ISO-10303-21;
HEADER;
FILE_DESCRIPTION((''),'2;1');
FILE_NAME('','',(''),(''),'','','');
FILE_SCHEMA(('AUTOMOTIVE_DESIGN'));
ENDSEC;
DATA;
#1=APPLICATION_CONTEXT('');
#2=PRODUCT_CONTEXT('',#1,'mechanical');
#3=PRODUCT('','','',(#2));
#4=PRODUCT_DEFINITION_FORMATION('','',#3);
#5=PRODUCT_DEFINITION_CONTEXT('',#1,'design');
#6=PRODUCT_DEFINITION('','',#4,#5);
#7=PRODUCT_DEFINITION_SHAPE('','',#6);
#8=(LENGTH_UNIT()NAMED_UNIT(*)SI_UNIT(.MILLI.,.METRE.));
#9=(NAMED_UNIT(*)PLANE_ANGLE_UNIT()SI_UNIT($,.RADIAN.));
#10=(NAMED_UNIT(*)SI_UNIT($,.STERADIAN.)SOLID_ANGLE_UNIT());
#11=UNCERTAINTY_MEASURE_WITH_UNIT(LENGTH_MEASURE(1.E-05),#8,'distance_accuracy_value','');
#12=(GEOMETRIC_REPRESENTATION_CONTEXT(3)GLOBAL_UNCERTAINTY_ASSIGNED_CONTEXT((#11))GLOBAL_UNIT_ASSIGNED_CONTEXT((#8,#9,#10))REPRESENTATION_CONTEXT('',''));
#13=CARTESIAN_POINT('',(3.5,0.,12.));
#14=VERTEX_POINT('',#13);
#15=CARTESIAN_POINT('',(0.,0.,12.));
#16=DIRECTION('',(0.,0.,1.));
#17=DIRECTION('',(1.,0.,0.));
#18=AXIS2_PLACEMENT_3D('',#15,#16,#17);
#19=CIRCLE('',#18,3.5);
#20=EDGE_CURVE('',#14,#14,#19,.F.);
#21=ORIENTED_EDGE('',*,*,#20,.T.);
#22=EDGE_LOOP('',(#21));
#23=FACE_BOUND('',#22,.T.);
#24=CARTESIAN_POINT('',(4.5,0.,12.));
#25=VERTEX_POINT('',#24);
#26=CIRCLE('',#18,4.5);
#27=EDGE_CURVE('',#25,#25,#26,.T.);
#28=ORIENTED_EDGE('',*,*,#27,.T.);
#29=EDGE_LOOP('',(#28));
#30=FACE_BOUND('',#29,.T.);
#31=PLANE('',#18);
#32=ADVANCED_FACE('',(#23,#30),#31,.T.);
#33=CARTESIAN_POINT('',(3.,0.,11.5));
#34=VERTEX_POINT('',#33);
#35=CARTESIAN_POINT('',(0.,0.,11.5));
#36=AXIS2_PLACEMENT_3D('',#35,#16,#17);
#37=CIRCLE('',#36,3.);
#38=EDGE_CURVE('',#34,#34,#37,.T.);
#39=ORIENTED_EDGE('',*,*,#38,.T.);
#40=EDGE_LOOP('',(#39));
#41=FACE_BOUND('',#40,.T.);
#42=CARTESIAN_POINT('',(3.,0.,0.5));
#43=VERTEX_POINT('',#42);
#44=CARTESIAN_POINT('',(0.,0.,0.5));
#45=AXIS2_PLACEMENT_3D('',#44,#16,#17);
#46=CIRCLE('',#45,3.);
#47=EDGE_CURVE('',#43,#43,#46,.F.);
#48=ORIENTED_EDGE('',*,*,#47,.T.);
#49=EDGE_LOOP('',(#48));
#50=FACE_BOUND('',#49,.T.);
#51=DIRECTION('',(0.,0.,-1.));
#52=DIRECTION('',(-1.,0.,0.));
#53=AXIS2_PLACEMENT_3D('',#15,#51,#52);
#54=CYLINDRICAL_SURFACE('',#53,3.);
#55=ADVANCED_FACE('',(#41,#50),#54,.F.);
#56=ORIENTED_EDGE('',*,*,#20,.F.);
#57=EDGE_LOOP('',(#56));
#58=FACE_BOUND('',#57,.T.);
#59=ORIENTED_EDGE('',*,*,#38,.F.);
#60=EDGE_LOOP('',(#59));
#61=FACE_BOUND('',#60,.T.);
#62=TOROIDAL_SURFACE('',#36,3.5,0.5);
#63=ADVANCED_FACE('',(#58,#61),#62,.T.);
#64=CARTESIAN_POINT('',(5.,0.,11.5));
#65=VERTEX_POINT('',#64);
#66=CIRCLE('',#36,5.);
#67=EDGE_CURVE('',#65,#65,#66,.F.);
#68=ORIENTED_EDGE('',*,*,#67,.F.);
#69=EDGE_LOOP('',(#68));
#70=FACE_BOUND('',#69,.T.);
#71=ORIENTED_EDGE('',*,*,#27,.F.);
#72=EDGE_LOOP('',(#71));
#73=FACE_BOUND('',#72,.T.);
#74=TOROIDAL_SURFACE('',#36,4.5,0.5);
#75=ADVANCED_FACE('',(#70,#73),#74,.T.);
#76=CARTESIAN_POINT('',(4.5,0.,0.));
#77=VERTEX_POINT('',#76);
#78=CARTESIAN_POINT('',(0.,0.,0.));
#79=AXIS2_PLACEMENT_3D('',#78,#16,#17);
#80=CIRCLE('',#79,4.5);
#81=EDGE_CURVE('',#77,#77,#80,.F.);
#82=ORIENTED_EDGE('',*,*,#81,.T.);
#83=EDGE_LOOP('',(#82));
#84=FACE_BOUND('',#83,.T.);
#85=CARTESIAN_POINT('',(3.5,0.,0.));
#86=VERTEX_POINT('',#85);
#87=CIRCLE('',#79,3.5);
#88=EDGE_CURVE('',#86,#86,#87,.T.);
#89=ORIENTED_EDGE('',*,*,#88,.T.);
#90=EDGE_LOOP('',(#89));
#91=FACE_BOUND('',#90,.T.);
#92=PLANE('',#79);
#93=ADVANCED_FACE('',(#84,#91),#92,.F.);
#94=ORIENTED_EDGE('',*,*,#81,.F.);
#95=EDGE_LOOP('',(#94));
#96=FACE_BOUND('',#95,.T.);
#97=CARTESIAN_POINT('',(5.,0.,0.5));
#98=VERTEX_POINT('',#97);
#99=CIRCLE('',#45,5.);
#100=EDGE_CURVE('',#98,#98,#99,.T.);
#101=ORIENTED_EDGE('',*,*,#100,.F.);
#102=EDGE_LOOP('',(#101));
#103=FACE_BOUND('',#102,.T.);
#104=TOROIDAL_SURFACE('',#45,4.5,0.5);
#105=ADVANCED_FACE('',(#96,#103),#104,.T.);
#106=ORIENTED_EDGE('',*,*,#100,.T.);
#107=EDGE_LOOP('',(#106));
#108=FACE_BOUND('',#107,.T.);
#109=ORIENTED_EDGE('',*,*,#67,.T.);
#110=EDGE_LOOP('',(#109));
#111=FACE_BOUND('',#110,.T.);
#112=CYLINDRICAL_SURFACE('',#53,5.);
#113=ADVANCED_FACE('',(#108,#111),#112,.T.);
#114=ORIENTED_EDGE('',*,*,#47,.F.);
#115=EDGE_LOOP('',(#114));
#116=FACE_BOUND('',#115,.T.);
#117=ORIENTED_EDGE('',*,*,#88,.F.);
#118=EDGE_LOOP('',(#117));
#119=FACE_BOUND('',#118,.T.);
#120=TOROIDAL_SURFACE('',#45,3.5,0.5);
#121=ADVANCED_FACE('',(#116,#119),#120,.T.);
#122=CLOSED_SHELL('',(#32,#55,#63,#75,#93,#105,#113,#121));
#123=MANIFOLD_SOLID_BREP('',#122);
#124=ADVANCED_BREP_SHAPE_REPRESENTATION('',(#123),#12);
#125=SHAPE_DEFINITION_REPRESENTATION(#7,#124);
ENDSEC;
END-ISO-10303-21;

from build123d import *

# Parameters (mm, degrees)
SKETCH_1_R      = 5
SKETCH_1_R_2    = 3
EXTRUDE_1_DEPTH = 12
FILLET_1_R      = 0.5


with BuildPart() as part:
    # 草图1 → 凸台-拉伸1 (new body)
    with BuildSketch(Plane.XY):
        Circle(SKETCH_1_R)
        Circle(SKETCH_1_R_2, mode=Mode.SUBTRACT)
    extrude(amount=EXTRUDE_1_DEPTH)

    # 圆角1
    fillet_1_edges = [part.edges().sort_by_distance(p)[0] for p in [
        (-5, 0, 0),
        (-5, 0, 12),
        (-3, 0, 0),
        (-3, 0, 12),
    ]]
    fillet(fillet_1_edges, radius=FILLET_1_R)


solid = part.part
